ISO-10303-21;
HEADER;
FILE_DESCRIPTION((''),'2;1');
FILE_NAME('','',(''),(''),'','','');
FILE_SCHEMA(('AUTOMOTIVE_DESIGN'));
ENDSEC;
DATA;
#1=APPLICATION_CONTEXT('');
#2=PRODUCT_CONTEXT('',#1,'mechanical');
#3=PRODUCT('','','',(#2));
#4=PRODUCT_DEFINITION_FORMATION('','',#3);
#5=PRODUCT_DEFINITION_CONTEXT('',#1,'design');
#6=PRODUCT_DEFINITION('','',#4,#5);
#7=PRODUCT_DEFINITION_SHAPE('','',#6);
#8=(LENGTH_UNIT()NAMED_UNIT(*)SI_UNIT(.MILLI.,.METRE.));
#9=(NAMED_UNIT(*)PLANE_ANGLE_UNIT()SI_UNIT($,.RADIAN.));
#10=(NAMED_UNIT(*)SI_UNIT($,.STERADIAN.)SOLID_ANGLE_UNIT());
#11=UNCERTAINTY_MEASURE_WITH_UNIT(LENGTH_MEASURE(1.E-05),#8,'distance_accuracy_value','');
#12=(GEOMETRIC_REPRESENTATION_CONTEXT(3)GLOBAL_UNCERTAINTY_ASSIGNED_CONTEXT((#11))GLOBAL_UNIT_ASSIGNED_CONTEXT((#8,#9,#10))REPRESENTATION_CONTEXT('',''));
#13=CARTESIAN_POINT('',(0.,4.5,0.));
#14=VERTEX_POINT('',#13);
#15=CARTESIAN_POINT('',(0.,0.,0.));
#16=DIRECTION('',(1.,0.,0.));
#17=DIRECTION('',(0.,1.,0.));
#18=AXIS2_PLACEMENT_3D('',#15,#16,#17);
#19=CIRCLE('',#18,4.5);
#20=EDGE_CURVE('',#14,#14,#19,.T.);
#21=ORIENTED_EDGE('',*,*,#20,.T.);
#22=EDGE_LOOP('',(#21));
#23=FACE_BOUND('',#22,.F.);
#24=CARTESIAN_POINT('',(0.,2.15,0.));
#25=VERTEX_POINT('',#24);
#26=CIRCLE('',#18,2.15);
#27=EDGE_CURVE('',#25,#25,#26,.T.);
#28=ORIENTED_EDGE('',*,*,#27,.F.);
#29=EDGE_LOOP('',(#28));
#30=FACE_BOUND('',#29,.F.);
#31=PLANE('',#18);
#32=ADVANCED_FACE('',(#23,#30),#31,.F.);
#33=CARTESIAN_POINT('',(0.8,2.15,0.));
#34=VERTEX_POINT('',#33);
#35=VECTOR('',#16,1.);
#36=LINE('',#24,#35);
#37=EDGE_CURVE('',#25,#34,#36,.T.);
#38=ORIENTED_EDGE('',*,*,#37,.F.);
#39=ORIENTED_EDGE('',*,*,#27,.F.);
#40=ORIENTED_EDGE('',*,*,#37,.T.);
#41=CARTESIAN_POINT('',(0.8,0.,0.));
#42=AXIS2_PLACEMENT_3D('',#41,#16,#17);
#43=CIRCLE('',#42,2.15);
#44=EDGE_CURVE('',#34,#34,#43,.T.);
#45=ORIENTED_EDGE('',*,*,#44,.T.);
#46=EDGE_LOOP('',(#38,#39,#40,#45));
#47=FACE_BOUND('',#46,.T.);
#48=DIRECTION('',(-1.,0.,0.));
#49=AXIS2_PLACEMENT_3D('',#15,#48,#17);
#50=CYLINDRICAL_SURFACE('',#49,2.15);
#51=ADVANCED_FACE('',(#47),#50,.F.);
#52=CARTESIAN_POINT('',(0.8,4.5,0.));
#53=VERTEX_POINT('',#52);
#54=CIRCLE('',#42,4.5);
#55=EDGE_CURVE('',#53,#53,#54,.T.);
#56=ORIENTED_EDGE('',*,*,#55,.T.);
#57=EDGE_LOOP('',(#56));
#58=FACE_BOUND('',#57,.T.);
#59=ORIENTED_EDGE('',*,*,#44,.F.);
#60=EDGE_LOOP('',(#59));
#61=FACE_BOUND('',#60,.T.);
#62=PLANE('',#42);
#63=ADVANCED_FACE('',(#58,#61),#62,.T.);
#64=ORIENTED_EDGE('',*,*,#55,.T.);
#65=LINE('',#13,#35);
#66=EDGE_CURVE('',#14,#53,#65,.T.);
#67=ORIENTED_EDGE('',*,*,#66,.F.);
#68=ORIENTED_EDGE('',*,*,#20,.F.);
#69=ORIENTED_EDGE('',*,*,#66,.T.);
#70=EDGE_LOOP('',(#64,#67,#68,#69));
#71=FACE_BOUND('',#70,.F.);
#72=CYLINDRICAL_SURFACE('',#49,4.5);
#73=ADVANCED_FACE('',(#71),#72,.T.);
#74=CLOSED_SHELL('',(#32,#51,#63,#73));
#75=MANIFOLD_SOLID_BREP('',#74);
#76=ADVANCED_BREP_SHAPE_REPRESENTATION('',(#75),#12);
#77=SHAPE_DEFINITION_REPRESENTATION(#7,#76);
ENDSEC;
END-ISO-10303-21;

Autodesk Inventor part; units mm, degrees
ref_plane "YZ Plane" through (0, 0, 0) normal (1, 0, 0) x (0, 1, 0)
ref_plane "XZ Plane" through (0, 0, 0) normal (0, 1, 0) x (-1, 0, 0)
sketch "Sketch" plane through (0, 0, 0) normal (1, 0, 0) x (0, 1, 0)
  circle A0 centre (0, 0) radius 4.5
  circle A1 centre (0, 0) radius 2.15
  dimension "d0" = 4.3
  dimension "d1" = 9
extrude "Body" add sketch "Sketch" along normal blind 0.8
ref_plane "Work Plane1" through (0, 0, 0) normal (0, 0, 1) x (1, 0, 0)
equation "\"d0\" = SD1"
equation "\"d1\" = SD2"
equation "\"d2\" = SD"
equation "\"SD1\" = 4.3"
equation "\"SD2\" = 9"
equation "\"SD\" = 0.8"
equation "\"NND\" = 4"
properties part number "ISO 7089 - 4" material "ステンレス鋼"
